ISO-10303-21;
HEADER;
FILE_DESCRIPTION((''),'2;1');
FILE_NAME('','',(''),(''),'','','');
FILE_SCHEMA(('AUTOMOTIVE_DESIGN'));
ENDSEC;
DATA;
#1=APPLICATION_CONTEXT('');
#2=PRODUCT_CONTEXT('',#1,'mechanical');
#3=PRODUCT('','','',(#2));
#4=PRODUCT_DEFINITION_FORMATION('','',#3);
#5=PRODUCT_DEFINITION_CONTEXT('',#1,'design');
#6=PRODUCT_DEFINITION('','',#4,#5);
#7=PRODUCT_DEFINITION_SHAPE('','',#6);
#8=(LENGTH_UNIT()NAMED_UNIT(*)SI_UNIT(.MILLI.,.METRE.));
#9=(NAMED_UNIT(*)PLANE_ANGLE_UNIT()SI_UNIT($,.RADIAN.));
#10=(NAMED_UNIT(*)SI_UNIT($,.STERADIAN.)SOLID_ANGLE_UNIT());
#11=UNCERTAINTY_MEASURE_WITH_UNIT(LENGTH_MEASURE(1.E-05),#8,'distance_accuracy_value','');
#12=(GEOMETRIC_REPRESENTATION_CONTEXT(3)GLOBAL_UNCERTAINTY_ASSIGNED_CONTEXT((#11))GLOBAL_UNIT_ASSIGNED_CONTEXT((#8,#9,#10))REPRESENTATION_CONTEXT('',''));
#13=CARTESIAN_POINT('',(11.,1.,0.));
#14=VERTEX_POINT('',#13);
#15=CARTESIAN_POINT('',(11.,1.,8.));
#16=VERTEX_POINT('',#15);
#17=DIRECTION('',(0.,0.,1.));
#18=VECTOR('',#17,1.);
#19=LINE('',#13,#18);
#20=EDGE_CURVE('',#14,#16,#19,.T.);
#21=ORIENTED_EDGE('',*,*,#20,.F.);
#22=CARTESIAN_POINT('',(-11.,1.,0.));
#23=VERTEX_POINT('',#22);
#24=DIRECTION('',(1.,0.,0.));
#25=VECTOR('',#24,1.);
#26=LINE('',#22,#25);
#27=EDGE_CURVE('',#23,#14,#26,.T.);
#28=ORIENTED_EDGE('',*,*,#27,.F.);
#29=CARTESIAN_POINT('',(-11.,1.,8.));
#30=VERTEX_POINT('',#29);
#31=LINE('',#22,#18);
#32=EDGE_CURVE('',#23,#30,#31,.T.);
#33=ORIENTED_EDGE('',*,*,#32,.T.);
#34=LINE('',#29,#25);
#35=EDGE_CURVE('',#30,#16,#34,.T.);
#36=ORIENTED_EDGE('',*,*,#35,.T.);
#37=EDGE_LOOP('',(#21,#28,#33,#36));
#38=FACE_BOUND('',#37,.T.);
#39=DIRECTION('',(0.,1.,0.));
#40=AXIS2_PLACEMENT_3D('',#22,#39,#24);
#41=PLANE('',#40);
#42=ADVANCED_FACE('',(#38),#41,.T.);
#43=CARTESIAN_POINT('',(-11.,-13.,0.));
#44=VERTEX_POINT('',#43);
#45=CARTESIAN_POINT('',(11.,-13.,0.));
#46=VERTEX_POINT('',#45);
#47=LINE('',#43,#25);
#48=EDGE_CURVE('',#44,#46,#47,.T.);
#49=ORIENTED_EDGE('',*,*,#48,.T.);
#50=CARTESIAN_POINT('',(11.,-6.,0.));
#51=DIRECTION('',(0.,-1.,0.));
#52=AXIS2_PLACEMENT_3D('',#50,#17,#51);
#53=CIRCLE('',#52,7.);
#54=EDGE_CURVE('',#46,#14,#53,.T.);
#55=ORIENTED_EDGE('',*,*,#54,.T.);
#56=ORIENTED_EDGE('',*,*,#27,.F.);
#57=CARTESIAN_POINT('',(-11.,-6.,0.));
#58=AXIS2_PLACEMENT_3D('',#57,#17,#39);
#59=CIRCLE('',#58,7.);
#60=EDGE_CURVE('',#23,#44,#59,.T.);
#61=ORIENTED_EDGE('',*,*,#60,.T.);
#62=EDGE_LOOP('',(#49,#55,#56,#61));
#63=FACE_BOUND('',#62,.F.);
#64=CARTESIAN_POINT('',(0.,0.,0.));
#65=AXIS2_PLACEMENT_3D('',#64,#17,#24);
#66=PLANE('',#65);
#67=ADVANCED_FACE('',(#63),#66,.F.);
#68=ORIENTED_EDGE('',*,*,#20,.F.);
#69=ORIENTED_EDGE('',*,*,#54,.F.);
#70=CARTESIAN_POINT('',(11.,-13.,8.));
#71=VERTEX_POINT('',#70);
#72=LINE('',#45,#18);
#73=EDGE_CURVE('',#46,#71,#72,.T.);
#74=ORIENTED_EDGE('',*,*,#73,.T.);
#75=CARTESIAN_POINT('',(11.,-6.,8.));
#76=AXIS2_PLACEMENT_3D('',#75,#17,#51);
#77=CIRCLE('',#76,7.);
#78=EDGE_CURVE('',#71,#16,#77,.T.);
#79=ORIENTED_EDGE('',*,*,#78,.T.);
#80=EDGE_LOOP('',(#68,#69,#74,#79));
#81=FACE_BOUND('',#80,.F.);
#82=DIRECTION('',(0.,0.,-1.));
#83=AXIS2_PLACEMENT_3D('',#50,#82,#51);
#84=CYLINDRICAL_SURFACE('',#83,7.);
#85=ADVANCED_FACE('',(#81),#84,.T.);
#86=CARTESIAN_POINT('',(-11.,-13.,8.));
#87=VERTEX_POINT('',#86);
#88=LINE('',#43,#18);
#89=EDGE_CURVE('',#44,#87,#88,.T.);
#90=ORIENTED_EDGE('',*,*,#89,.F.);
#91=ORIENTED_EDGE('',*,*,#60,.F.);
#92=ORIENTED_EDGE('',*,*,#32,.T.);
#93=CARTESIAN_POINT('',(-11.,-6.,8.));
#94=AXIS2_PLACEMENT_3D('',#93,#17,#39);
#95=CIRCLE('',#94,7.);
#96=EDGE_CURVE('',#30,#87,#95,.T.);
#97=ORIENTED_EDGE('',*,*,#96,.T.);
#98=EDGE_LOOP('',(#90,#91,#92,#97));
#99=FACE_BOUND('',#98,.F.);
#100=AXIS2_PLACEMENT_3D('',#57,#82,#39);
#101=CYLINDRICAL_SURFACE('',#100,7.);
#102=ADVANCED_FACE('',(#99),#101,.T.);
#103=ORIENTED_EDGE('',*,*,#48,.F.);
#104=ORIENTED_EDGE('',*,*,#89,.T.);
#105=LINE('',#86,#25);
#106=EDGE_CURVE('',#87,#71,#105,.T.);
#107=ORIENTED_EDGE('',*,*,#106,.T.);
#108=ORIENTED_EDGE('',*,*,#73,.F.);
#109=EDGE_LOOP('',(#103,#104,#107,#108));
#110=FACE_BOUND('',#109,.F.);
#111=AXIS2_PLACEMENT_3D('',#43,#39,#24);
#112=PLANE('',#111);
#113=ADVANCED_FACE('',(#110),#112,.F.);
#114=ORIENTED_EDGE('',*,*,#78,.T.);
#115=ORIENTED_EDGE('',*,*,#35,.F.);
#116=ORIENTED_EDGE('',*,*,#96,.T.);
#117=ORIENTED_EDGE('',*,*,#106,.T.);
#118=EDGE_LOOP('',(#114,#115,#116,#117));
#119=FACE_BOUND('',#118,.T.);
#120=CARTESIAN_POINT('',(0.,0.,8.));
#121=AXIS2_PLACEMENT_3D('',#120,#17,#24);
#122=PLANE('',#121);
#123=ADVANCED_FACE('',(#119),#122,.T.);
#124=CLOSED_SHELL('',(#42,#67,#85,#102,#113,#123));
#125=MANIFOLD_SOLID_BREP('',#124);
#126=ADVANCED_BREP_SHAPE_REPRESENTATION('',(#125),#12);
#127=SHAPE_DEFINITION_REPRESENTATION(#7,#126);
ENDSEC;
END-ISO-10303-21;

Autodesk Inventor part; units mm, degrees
ref_plane "YZ Plane" through (0, 0, 0) normal (1, 0, 0) x (0, 1, 0)
ref_plane "XZ Plane" through (0, 0, 0) normal (0, 1, 0) x (-1, 0, 0)
ref_plane "XY Plane" through (0, 0, 0) normal (0, 0, 1) x (1, 0, 0)
sketch "草图1" plane through (0, 0, 0) normal (0, 0, 1) x (1, 0, 0)
  line L0 (-11, 1) -> (11, 1) projected
  arc A0 (-11, 1) -> (-11, -13) centre (-11, -6) ccw projected
  line L1 (-11, -13) -> (11, -13) projected
  arc A1 (11, -13) -> (11, 1) centre (11, -6) ccw projected
  line L2 (-11, -6) -> (11, -6) construction
  line L3 (-11, -13) -> (11, -13)
  line L4 (11, 1) -> (-11, 1)
  arc A2 (-11, 1) -> (-11, -13) centre (-11, -6) ccw
  arc A3 (11, -13) -> (11, 1) centre (11, -6) ccw
  point P0 (0, 0)
  point P1 (0, -6)
extrude "拉伸1" add sketch "草图1" along normal blind 8
properties part number "key2"
